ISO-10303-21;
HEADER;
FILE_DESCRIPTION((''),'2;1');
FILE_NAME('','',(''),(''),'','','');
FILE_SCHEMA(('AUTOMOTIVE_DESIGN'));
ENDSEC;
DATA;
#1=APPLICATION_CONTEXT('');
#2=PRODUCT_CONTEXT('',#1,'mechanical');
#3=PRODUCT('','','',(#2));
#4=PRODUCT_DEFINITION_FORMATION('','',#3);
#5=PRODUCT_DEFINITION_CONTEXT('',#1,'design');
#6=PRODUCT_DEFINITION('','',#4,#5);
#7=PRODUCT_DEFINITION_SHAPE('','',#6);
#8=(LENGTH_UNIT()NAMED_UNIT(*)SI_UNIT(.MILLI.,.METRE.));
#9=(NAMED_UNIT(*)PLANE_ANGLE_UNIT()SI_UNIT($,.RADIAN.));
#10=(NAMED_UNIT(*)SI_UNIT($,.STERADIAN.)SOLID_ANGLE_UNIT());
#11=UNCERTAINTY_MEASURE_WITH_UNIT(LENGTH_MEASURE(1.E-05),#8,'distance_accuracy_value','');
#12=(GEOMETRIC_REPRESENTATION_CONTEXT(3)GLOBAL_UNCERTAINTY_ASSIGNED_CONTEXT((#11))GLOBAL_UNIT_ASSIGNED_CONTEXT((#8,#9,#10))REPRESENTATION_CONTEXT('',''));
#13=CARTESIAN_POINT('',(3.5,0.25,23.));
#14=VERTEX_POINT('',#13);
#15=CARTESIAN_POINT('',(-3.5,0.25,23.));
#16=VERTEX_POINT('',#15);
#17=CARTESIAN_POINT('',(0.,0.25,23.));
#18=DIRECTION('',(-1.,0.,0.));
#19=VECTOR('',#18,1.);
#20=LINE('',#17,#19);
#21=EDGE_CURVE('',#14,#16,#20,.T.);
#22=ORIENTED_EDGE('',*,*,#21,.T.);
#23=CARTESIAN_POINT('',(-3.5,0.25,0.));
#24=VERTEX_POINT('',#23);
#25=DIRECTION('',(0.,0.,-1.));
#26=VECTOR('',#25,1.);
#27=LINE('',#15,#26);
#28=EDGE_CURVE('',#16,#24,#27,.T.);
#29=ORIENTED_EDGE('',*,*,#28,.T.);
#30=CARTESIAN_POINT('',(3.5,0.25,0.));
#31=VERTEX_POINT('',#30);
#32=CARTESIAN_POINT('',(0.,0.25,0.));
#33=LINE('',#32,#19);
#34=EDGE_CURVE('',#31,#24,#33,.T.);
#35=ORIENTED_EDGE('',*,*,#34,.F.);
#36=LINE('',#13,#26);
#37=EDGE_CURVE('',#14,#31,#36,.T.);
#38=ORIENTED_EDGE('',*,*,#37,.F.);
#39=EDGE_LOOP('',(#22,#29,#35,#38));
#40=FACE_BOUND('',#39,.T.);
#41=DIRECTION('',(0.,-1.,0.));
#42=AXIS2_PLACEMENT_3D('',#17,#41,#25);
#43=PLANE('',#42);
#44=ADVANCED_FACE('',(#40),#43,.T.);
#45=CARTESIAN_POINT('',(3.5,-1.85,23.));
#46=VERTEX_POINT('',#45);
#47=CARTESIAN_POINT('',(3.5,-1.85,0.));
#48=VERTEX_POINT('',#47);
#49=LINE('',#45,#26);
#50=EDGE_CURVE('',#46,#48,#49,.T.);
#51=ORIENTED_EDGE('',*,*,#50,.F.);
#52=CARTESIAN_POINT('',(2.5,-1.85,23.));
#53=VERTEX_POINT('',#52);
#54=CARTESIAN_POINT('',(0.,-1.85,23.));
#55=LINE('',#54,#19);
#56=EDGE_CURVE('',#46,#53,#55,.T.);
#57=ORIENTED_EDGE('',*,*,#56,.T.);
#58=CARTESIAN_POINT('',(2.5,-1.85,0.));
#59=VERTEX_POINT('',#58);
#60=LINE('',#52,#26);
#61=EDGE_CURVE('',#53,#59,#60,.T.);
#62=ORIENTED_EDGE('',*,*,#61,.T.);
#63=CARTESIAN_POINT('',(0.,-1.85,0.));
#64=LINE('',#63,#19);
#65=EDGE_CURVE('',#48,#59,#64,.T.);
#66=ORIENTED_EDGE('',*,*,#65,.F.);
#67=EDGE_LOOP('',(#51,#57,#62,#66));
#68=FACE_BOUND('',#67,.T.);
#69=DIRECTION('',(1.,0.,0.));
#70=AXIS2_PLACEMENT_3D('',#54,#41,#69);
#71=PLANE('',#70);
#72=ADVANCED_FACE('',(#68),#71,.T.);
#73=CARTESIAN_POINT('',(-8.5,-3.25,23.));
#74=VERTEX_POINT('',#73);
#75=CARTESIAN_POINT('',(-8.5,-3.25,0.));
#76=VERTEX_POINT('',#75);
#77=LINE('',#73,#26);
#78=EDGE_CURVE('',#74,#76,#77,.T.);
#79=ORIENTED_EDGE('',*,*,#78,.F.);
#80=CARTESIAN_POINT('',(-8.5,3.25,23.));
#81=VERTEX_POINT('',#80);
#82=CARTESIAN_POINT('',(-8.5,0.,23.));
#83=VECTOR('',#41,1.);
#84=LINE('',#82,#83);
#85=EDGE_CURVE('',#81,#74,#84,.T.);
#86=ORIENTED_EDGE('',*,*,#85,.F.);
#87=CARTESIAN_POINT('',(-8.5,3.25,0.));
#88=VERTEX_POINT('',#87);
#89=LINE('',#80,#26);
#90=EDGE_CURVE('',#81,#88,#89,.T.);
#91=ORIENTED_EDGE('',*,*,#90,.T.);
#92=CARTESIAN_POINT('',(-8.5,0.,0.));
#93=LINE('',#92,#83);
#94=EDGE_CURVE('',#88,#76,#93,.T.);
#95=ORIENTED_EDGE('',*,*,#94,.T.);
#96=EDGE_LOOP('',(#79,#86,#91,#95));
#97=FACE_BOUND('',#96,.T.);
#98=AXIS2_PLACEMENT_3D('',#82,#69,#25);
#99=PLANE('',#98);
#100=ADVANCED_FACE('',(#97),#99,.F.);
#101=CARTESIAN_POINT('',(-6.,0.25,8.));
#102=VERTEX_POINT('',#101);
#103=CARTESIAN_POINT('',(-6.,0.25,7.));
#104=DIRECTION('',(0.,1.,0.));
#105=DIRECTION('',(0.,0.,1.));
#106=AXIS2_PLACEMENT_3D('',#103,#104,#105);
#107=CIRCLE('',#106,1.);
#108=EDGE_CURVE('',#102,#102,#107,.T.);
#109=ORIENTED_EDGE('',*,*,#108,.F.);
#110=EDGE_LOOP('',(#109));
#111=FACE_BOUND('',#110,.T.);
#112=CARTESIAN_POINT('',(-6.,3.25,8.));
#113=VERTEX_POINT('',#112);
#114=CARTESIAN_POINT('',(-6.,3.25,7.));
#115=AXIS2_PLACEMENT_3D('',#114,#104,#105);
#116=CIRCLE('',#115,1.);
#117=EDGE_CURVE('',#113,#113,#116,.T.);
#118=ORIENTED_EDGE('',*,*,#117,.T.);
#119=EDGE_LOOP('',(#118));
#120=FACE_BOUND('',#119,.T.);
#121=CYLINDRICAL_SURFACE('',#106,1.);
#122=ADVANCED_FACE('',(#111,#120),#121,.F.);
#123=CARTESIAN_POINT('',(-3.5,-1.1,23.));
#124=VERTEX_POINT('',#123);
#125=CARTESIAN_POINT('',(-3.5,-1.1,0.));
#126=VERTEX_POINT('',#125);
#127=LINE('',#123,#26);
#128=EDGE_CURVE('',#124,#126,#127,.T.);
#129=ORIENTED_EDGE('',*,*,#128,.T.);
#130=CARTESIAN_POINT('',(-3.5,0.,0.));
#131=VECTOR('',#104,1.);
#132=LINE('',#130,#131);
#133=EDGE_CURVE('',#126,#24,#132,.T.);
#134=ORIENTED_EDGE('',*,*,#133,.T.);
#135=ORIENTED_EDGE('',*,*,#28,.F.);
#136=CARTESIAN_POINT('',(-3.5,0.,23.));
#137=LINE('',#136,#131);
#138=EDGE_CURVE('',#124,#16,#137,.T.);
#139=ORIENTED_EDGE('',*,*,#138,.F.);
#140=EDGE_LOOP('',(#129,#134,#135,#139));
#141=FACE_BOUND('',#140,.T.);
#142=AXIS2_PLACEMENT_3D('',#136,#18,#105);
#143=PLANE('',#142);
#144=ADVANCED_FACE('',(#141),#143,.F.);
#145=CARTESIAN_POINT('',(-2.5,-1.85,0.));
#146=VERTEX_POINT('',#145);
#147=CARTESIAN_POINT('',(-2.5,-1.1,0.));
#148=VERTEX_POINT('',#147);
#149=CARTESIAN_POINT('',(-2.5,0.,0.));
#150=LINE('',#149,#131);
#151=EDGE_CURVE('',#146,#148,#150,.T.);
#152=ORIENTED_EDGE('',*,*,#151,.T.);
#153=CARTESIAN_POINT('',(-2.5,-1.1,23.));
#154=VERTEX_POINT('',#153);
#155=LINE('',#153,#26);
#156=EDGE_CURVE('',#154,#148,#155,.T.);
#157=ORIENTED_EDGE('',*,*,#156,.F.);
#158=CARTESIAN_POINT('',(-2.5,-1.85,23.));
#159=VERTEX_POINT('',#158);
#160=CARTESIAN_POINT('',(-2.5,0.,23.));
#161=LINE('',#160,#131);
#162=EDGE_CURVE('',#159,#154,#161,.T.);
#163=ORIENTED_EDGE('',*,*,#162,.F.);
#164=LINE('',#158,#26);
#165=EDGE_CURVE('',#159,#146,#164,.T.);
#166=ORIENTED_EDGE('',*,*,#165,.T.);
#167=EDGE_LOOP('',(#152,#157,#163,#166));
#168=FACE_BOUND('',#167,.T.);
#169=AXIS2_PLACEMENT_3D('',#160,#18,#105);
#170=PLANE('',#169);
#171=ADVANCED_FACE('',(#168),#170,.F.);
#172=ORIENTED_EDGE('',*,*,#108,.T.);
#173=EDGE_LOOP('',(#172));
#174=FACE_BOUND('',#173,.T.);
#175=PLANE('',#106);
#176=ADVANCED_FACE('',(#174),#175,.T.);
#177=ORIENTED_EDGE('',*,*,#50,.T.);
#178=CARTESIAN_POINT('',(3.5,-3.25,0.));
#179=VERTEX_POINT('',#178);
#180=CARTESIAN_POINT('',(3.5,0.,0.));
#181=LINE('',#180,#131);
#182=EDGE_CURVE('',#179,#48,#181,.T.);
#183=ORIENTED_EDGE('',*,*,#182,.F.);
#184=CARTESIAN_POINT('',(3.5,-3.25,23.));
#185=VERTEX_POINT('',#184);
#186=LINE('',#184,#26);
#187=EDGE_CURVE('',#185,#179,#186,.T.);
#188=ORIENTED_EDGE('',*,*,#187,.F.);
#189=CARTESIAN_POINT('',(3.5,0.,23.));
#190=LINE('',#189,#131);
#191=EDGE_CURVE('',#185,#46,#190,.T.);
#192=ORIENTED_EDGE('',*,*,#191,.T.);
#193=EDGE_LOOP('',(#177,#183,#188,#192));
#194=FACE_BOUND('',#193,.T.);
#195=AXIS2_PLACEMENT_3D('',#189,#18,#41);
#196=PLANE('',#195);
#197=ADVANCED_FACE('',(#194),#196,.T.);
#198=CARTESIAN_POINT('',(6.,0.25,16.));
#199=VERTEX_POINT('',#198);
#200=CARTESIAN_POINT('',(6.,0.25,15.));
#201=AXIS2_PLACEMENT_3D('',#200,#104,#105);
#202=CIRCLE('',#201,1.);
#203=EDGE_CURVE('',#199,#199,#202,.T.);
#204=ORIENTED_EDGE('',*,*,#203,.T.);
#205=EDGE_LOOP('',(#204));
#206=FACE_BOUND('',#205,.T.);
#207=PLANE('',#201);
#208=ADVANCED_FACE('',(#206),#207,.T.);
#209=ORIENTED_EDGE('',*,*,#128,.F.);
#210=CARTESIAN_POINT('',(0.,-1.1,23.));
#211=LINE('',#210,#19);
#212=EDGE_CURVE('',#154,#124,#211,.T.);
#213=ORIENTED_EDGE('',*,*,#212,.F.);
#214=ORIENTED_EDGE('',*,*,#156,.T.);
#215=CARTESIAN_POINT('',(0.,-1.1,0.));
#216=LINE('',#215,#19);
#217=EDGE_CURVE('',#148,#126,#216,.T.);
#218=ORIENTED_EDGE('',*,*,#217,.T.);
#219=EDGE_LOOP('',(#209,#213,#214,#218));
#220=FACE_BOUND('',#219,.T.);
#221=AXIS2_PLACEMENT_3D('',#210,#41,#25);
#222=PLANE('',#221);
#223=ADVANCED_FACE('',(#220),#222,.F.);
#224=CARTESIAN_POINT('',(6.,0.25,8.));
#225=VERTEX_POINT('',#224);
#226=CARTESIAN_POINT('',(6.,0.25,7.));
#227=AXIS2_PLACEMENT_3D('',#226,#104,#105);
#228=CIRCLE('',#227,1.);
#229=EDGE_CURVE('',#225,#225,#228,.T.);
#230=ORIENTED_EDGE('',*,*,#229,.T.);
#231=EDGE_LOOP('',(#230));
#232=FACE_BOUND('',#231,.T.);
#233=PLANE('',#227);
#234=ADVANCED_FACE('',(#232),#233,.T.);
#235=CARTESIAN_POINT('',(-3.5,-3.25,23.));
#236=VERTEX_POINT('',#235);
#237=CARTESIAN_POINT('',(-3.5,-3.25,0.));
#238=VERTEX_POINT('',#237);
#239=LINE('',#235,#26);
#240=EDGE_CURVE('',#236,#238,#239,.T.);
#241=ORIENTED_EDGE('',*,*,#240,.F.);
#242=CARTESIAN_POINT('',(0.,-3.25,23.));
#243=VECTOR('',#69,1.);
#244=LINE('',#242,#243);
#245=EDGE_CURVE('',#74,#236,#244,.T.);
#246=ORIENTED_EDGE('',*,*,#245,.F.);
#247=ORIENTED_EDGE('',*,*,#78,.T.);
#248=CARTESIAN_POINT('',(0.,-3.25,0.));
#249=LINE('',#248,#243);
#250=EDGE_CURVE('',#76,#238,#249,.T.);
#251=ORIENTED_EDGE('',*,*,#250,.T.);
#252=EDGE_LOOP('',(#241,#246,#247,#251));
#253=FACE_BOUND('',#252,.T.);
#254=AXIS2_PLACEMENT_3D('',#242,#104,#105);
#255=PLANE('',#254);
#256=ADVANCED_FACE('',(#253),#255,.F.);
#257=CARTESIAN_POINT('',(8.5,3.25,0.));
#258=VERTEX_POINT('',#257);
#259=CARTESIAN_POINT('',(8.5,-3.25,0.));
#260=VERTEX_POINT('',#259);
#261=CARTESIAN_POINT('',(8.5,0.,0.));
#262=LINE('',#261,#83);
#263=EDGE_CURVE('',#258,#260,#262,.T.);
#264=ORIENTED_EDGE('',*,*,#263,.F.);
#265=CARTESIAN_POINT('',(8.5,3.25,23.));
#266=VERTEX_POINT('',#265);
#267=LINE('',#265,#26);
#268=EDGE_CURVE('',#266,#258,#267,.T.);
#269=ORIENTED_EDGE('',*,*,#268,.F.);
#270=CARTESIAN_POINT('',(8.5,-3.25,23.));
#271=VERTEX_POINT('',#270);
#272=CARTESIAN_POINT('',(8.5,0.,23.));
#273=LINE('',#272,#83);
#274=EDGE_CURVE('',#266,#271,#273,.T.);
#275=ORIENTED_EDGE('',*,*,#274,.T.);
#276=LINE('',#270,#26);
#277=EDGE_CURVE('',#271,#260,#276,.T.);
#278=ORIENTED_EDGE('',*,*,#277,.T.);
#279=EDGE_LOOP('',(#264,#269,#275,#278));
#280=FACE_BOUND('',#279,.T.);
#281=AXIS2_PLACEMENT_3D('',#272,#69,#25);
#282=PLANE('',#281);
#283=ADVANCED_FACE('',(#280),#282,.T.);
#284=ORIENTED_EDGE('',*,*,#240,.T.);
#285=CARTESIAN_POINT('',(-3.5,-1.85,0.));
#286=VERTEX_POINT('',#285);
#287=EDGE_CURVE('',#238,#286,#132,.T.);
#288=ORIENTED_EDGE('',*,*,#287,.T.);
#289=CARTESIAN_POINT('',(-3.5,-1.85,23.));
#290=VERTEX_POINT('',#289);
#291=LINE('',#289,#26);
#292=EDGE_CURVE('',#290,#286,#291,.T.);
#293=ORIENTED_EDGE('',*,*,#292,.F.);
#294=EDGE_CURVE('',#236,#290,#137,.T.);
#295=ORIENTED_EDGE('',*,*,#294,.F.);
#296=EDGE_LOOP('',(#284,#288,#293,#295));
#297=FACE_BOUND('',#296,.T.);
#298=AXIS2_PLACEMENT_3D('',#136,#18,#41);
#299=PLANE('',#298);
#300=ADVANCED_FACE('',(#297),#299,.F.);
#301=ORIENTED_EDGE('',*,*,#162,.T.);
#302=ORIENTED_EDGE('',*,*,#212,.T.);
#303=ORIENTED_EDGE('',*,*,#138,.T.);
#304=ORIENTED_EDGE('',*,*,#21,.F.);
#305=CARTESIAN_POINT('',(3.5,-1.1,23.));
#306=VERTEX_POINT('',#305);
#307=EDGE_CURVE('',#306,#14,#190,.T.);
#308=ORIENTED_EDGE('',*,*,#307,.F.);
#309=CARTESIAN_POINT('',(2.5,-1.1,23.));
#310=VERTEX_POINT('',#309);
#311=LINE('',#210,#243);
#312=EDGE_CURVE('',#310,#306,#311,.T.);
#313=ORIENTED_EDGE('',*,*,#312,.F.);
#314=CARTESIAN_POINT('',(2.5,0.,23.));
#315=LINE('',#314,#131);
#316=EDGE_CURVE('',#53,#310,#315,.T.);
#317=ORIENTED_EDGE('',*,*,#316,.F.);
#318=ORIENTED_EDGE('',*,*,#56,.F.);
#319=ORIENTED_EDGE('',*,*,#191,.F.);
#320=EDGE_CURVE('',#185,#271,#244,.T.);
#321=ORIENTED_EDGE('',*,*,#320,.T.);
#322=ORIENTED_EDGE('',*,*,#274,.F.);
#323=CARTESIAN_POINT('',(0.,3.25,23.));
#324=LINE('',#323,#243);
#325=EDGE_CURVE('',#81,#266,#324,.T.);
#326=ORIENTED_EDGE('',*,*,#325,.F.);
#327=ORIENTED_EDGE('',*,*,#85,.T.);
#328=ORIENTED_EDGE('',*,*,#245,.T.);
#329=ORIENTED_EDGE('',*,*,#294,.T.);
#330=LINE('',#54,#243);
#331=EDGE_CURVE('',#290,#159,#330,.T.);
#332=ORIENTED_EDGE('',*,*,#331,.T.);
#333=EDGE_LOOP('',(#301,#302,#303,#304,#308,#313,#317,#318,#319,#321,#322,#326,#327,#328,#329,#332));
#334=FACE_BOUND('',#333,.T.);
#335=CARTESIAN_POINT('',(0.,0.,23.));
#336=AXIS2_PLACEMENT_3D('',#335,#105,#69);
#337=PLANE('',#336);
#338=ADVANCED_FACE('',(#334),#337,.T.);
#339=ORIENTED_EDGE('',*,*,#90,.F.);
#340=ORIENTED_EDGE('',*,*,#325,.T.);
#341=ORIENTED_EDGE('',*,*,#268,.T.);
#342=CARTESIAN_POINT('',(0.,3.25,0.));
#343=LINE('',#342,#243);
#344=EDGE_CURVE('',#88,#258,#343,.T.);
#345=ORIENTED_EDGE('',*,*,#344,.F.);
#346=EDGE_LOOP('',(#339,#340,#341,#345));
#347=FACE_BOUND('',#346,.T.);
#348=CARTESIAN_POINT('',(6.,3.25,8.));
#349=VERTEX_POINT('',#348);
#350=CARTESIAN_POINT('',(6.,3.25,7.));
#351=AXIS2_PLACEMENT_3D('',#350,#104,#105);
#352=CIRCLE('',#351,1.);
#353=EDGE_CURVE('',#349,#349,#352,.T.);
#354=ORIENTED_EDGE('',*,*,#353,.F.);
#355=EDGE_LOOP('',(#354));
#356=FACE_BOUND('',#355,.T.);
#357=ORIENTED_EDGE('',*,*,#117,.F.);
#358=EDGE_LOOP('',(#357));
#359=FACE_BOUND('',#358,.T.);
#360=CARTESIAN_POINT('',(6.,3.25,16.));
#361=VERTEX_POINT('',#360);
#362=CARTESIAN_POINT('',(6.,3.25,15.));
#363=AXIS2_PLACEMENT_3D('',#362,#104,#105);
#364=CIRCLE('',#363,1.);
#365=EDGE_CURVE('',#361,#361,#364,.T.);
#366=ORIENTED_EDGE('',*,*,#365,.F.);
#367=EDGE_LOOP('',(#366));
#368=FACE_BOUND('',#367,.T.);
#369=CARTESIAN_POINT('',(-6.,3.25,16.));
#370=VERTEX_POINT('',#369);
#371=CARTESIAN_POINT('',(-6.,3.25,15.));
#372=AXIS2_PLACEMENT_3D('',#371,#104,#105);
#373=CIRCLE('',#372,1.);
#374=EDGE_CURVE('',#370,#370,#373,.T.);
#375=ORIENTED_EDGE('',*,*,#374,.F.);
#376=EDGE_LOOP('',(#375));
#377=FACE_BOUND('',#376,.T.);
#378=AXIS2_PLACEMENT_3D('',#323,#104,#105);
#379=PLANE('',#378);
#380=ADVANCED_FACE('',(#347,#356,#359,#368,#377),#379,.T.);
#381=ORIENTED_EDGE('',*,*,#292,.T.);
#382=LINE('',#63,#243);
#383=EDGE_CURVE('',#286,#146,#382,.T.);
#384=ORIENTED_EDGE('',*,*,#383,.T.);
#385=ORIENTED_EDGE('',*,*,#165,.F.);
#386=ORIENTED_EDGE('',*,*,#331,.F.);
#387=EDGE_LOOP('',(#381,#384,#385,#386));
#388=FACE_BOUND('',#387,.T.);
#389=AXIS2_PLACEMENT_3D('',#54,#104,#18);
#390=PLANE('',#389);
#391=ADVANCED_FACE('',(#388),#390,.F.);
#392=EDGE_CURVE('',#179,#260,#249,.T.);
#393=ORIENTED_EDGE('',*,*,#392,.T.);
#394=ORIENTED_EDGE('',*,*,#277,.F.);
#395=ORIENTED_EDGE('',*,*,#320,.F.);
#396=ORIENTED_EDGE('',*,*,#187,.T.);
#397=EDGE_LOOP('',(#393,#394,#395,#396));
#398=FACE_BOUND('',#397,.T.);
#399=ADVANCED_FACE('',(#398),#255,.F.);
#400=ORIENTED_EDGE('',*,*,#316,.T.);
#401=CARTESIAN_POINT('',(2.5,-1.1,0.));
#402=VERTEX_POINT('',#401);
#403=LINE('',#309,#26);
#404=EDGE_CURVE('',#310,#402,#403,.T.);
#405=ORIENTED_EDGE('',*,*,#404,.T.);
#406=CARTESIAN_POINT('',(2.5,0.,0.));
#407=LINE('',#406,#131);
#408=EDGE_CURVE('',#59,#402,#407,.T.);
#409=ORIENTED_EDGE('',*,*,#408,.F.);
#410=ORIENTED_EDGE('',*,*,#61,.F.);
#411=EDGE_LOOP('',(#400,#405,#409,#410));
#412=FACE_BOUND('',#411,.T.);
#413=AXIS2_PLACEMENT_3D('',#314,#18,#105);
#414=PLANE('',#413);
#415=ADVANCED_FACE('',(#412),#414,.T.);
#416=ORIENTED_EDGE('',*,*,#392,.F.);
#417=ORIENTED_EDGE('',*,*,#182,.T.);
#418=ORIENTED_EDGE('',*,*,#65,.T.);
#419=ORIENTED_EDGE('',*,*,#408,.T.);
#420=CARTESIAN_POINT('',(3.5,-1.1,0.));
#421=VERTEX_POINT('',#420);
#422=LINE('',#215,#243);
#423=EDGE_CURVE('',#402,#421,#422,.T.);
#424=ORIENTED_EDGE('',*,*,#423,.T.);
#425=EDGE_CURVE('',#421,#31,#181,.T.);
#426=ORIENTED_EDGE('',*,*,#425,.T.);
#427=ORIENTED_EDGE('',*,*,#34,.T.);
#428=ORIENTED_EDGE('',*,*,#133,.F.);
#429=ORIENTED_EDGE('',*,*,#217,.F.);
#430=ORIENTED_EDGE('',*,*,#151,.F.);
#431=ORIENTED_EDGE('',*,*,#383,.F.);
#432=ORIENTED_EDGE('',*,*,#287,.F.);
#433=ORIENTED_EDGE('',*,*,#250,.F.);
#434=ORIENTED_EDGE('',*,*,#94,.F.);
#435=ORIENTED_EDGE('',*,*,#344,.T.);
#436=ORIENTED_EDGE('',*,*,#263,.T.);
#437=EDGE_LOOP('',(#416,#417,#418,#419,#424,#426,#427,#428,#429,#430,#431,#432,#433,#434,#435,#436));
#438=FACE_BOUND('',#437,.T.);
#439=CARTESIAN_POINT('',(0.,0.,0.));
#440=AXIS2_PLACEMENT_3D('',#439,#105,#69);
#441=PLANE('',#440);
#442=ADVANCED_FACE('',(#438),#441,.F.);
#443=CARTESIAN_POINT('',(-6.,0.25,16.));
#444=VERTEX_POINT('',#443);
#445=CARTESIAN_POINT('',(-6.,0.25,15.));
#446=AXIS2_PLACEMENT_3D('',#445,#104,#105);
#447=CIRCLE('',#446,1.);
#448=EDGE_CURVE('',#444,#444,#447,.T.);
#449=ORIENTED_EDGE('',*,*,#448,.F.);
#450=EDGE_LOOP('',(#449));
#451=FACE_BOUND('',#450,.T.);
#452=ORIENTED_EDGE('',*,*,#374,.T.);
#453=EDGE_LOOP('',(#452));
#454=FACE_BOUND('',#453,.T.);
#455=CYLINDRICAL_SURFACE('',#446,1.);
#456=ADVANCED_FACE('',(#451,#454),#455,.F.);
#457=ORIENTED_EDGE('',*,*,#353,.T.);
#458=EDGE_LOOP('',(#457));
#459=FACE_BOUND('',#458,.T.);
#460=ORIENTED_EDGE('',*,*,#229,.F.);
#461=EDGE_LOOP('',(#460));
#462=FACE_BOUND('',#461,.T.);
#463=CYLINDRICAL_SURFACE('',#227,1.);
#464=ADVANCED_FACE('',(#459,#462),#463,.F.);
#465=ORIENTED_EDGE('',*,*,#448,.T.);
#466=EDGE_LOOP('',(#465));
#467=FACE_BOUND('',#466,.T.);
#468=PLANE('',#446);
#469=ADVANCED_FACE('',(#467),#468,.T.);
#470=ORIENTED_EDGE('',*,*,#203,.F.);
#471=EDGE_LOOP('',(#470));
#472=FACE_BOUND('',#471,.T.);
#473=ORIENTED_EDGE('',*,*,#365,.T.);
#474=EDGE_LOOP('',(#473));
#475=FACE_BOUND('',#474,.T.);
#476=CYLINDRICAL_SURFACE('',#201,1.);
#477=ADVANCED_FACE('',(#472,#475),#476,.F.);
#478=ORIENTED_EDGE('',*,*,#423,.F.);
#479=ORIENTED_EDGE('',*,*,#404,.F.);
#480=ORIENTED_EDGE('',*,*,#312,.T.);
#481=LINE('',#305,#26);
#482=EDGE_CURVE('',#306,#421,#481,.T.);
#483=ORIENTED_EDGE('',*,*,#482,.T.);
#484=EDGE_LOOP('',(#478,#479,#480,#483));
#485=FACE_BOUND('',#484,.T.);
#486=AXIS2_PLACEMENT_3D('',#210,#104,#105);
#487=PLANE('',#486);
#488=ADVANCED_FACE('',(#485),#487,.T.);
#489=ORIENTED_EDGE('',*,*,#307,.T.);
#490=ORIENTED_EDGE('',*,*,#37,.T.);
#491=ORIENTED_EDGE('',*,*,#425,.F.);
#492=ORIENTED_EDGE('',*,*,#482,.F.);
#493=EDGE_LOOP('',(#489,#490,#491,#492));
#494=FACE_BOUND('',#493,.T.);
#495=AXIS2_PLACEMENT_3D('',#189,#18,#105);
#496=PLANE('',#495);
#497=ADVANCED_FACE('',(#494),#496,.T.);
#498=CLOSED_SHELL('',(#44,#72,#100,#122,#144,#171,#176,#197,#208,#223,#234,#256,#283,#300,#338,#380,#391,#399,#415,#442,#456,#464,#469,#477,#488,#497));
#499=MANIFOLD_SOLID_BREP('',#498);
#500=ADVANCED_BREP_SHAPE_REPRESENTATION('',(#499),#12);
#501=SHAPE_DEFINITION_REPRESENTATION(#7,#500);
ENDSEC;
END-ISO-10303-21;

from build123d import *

# Parameters (mm, degrees)
EXTRUDE_1_DEPTH     = 23
CUT_EXTRUDE_START   = 3.25
SKETCH_2_R          = 1
CUT_EXTRUDE_1_DEPTH = 3


with BuildPart() as part:
    # 草图1 → 凸台-拉伸1 (new body)
    with BuildSketch(Plane.XY):
        Polygon((3.5, -1.85), (3.5, -3.25), (8.5, -3.25), (8.5, 3.25), (-8.5, 3.25), (-8.5, -3.25), (-3.5, -3.25), (-3.5, -1.85), (-2.5, -1.85), (-2.5, -1.1), (-3.5, -1.1), (-3.5, 0.25), (3.5, 0.25), (3.5, -1.1), (2.5, -1.1), (2.5, -1.85), align=None)
    extrude(amount=EXTRUDE_1_DEPTH)

    # 草图2 → 切除-拉伸1 (cut)
    with BuildSketch(Plane(origin=(0, 0, 0), x_dir=(1, 0, 0), z_dir=(0, 1, 0)).offset(CUT_EXTRUDE_START)):
        with Locations((-6, -7)):
            Circle(SKETCH_2_R)
        with Locations((6, -7)):
            Circle(SKETCH_2_R)
        with Locations((-6, -15)):
            Circle(SKETCH_2_R)
        with Locations((6, -15)):
            Circle(SKETCH_2_R)
    extrude(amount=-CUT_EXTRUDE_1_DEPTH, mode=Mode.SUBTRACT)


solid = part.part
